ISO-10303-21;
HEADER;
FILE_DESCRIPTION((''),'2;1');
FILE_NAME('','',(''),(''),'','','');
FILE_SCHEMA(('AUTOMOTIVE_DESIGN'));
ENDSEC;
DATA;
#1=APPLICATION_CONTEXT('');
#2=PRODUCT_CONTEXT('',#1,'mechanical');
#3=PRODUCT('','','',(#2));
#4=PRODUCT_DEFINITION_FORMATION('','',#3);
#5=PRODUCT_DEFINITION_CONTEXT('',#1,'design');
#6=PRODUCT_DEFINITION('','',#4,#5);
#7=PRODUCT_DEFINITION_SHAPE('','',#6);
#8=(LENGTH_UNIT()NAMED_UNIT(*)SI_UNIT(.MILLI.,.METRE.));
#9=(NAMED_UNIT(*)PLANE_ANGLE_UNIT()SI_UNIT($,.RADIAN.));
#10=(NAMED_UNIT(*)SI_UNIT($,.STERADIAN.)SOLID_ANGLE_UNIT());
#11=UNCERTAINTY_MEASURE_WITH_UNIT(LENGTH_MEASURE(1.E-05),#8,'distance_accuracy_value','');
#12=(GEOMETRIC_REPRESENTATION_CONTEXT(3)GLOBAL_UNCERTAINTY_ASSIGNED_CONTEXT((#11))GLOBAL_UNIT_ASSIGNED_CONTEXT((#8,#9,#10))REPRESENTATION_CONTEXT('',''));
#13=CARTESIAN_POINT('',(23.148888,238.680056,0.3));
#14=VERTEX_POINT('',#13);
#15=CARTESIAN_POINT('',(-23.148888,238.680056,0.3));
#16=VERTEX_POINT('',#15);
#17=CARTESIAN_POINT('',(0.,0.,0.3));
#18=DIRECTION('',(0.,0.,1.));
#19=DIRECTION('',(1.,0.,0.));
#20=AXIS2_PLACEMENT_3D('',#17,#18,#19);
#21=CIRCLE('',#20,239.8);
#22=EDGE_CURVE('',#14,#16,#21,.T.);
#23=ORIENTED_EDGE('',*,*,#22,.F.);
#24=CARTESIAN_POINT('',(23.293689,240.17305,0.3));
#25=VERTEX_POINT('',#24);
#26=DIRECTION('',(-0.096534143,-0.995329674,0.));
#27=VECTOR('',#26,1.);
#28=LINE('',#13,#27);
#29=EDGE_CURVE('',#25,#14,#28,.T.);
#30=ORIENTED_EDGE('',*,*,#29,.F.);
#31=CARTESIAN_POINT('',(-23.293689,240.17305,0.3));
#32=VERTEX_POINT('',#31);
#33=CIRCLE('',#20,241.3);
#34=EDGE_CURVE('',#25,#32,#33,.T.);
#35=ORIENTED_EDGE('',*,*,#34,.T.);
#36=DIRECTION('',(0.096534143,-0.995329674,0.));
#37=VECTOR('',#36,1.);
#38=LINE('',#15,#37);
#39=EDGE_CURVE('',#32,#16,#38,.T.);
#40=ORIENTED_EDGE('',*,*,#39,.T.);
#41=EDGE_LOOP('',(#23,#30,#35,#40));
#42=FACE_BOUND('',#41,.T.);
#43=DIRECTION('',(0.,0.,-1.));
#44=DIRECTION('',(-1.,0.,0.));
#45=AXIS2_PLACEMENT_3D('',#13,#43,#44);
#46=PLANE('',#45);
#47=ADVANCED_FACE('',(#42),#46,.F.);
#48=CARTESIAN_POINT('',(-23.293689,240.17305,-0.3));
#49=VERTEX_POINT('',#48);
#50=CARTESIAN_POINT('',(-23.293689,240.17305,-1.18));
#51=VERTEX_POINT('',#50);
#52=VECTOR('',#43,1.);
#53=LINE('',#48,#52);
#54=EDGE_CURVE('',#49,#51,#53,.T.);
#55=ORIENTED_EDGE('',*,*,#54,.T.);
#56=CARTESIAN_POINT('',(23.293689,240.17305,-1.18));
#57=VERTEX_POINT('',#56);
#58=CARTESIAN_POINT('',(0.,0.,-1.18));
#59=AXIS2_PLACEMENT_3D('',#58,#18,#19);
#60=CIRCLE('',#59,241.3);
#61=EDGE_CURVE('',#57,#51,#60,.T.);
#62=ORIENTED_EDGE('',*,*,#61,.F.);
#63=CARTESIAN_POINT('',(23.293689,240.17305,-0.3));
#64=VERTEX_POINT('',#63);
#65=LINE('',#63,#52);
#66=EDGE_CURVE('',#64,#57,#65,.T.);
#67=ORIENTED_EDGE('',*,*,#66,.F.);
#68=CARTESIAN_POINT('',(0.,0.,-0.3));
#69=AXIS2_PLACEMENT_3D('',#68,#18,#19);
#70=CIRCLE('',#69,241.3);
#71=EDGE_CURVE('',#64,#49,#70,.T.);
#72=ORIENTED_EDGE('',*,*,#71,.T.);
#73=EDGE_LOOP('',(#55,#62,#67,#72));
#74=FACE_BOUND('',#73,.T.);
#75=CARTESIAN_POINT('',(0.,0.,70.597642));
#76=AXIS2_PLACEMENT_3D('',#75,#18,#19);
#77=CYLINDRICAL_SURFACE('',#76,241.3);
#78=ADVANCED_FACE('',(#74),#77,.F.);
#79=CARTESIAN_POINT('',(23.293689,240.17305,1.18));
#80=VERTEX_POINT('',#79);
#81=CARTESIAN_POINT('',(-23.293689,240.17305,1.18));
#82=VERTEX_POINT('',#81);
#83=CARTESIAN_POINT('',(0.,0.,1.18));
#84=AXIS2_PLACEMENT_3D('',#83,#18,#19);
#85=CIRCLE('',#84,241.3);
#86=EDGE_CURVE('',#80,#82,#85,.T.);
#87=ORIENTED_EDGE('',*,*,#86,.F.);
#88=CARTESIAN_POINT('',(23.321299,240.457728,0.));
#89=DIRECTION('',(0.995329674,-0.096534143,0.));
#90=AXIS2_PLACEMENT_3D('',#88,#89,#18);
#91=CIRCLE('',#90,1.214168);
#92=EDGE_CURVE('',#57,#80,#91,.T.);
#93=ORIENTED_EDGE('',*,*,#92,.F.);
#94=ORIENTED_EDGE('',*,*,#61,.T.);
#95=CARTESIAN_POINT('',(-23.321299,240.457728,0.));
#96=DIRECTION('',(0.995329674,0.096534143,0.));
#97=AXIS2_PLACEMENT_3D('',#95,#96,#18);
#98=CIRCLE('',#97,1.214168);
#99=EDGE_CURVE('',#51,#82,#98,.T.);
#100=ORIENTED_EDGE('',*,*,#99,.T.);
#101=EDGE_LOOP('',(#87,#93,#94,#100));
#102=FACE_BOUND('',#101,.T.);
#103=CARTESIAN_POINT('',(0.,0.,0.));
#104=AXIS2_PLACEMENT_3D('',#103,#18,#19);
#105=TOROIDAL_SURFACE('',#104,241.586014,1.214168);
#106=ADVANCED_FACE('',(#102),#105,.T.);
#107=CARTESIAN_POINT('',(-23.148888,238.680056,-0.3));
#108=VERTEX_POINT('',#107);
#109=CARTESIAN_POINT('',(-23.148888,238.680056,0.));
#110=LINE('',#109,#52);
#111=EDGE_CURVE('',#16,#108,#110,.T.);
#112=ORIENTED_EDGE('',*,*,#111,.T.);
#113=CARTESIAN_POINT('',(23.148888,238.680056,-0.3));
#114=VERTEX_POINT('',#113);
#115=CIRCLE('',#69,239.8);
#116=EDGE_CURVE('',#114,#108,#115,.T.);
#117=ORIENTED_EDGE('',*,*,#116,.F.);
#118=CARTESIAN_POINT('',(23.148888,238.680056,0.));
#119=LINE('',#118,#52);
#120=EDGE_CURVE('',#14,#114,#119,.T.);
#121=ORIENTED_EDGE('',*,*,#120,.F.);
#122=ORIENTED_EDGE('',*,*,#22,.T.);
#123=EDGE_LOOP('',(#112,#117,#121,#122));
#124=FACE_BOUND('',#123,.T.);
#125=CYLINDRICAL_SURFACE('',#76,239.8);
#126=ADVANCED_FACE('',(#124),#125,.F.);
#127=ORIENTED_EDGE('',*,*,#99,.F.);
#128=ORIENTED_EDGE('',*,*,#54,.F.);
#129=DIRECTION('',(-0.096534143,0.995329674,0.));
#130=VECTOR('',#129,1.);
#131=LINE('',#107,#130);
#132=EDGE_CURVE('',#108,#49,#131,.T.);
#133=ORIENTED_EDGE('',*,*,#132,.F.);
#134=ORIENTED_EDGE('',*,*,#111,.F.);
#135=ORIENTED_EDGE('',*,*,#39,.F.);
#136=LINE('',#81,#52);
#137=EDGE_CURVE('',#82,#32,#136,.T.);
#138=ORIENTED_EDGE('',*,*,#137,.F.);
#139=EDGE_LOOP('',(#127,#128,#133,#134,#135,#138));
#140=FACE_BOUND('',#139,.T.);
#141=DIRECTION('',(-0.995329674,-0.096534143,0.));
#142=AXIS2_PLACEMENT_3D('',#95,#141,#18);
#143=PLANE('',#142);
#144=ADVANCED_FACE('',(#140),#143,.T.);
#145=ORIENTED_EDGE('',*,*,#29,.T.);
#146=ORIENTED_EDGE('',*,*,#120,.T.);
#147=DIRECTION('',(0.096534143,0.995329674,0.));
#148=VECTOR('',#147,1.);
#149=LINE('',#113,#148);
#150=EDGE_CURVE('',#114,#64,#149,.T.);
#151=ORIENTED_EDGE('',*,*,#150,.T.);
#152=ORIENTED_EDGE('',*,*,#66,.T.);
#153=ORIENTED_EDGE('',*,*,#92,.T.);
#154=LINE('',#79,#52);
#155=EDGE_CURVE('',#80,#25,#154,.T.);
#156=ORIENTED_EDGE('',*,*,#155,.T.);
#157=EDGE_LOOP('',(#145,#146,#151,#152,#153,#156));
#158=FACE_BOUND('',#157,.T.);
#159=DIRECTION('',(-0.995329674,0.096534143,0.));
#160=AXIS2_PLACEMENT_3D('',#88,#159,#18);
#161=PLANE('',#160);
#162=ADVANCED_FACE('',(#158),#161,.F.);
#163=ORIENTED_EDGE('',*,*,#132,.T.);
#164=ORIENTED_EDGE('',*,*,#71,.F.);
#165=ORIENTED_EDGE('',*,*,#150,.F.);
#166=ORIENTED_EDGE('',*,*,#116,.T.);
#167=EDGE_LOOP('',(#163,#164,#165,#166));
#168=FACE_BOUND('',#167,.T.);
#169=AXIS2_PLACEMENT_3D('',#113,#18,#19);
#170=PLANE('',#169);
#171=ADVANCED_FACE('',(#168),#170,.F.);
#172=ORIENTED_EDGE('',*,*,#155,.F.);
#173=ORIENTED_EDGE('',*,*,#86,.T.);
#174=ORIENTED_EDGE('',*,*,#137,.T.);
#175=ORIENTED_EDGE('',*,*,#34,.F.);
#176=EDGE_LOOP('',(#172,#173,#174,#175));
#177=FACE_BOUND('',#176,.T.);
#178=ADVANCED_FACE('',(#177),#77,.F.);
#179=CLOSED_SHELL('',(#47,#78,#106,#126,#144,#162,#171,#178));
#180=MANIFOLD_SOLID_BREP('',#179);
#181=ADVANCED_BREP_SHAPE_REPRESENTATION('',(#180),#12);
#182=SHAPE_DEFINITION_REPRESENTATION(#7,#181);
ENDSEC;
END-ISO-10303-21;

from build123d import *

# Parameters (mm, degrees)
REVOLVE1_ANGLE           = 5.539625632
REVOLVE1_OTHER_WAY_ANGLE = 5.539625632


with BuildPart() as part:
    # Sketch2 → Revolve1 (revolve)
    with BuildSketch(Plane(origin=(0, 0, 0), x_dir=(0, 0, -1), z_dir=(1, 0, 0))):
        with BuildLine():
            Line((0, 239.8), (0.3, 239.8))
            Line((0.3, 239.8), (0.3, 241.3))
            Line((0.3, 241.3), (1.18, 241.3))
            ThreePointArc((1.18, 241.3), (0, 242.800182019), (-1.18, 241.3))
            Line((-1.18, 241.3), (-0.3, 241.3))
            Line((-0.3, 241.3), (-0.3, 239.8))
            Line((-0.3, 239.8), (0, 239.8))
        make_face()
    revolve(axis=Axis((0, 0, 70.597641597), (0, 0, -1)), revolution_arc=REVOLVE1_ANGLE)

    # Sketch2 → Revolve1 other way (revolve)
    with BuildSketch(Plane(origin=(0, 0, 0), x_dir=(0, 0, -1), z_dir=(1, 0, 0))):
        with BuildLine():
            Line((0, 239.8), (0.3, 239.8))
            Line((0.3, 239.8), (0.3, 241.3))
            Line((0.3, 241.3), (1.18, 241.3))
            ThreePointArc((1.18, 241.3), (0, 242.800182019), (-1.18, 241.3))
            Line((-1.18, 241.3), (-0.3, 241.3))
            Line((-0.3, 241.3), (-0.3, 239.8))
            Line((-0.3, 239.8), (0, 239.8))
        make_face()
    revolve(axis=Axis((0, 0, 70.597641597), (0, 0, 1)), revolution_arc=REVOLVE1_OTHER_WAY_ANGLE)


solid = part.part
